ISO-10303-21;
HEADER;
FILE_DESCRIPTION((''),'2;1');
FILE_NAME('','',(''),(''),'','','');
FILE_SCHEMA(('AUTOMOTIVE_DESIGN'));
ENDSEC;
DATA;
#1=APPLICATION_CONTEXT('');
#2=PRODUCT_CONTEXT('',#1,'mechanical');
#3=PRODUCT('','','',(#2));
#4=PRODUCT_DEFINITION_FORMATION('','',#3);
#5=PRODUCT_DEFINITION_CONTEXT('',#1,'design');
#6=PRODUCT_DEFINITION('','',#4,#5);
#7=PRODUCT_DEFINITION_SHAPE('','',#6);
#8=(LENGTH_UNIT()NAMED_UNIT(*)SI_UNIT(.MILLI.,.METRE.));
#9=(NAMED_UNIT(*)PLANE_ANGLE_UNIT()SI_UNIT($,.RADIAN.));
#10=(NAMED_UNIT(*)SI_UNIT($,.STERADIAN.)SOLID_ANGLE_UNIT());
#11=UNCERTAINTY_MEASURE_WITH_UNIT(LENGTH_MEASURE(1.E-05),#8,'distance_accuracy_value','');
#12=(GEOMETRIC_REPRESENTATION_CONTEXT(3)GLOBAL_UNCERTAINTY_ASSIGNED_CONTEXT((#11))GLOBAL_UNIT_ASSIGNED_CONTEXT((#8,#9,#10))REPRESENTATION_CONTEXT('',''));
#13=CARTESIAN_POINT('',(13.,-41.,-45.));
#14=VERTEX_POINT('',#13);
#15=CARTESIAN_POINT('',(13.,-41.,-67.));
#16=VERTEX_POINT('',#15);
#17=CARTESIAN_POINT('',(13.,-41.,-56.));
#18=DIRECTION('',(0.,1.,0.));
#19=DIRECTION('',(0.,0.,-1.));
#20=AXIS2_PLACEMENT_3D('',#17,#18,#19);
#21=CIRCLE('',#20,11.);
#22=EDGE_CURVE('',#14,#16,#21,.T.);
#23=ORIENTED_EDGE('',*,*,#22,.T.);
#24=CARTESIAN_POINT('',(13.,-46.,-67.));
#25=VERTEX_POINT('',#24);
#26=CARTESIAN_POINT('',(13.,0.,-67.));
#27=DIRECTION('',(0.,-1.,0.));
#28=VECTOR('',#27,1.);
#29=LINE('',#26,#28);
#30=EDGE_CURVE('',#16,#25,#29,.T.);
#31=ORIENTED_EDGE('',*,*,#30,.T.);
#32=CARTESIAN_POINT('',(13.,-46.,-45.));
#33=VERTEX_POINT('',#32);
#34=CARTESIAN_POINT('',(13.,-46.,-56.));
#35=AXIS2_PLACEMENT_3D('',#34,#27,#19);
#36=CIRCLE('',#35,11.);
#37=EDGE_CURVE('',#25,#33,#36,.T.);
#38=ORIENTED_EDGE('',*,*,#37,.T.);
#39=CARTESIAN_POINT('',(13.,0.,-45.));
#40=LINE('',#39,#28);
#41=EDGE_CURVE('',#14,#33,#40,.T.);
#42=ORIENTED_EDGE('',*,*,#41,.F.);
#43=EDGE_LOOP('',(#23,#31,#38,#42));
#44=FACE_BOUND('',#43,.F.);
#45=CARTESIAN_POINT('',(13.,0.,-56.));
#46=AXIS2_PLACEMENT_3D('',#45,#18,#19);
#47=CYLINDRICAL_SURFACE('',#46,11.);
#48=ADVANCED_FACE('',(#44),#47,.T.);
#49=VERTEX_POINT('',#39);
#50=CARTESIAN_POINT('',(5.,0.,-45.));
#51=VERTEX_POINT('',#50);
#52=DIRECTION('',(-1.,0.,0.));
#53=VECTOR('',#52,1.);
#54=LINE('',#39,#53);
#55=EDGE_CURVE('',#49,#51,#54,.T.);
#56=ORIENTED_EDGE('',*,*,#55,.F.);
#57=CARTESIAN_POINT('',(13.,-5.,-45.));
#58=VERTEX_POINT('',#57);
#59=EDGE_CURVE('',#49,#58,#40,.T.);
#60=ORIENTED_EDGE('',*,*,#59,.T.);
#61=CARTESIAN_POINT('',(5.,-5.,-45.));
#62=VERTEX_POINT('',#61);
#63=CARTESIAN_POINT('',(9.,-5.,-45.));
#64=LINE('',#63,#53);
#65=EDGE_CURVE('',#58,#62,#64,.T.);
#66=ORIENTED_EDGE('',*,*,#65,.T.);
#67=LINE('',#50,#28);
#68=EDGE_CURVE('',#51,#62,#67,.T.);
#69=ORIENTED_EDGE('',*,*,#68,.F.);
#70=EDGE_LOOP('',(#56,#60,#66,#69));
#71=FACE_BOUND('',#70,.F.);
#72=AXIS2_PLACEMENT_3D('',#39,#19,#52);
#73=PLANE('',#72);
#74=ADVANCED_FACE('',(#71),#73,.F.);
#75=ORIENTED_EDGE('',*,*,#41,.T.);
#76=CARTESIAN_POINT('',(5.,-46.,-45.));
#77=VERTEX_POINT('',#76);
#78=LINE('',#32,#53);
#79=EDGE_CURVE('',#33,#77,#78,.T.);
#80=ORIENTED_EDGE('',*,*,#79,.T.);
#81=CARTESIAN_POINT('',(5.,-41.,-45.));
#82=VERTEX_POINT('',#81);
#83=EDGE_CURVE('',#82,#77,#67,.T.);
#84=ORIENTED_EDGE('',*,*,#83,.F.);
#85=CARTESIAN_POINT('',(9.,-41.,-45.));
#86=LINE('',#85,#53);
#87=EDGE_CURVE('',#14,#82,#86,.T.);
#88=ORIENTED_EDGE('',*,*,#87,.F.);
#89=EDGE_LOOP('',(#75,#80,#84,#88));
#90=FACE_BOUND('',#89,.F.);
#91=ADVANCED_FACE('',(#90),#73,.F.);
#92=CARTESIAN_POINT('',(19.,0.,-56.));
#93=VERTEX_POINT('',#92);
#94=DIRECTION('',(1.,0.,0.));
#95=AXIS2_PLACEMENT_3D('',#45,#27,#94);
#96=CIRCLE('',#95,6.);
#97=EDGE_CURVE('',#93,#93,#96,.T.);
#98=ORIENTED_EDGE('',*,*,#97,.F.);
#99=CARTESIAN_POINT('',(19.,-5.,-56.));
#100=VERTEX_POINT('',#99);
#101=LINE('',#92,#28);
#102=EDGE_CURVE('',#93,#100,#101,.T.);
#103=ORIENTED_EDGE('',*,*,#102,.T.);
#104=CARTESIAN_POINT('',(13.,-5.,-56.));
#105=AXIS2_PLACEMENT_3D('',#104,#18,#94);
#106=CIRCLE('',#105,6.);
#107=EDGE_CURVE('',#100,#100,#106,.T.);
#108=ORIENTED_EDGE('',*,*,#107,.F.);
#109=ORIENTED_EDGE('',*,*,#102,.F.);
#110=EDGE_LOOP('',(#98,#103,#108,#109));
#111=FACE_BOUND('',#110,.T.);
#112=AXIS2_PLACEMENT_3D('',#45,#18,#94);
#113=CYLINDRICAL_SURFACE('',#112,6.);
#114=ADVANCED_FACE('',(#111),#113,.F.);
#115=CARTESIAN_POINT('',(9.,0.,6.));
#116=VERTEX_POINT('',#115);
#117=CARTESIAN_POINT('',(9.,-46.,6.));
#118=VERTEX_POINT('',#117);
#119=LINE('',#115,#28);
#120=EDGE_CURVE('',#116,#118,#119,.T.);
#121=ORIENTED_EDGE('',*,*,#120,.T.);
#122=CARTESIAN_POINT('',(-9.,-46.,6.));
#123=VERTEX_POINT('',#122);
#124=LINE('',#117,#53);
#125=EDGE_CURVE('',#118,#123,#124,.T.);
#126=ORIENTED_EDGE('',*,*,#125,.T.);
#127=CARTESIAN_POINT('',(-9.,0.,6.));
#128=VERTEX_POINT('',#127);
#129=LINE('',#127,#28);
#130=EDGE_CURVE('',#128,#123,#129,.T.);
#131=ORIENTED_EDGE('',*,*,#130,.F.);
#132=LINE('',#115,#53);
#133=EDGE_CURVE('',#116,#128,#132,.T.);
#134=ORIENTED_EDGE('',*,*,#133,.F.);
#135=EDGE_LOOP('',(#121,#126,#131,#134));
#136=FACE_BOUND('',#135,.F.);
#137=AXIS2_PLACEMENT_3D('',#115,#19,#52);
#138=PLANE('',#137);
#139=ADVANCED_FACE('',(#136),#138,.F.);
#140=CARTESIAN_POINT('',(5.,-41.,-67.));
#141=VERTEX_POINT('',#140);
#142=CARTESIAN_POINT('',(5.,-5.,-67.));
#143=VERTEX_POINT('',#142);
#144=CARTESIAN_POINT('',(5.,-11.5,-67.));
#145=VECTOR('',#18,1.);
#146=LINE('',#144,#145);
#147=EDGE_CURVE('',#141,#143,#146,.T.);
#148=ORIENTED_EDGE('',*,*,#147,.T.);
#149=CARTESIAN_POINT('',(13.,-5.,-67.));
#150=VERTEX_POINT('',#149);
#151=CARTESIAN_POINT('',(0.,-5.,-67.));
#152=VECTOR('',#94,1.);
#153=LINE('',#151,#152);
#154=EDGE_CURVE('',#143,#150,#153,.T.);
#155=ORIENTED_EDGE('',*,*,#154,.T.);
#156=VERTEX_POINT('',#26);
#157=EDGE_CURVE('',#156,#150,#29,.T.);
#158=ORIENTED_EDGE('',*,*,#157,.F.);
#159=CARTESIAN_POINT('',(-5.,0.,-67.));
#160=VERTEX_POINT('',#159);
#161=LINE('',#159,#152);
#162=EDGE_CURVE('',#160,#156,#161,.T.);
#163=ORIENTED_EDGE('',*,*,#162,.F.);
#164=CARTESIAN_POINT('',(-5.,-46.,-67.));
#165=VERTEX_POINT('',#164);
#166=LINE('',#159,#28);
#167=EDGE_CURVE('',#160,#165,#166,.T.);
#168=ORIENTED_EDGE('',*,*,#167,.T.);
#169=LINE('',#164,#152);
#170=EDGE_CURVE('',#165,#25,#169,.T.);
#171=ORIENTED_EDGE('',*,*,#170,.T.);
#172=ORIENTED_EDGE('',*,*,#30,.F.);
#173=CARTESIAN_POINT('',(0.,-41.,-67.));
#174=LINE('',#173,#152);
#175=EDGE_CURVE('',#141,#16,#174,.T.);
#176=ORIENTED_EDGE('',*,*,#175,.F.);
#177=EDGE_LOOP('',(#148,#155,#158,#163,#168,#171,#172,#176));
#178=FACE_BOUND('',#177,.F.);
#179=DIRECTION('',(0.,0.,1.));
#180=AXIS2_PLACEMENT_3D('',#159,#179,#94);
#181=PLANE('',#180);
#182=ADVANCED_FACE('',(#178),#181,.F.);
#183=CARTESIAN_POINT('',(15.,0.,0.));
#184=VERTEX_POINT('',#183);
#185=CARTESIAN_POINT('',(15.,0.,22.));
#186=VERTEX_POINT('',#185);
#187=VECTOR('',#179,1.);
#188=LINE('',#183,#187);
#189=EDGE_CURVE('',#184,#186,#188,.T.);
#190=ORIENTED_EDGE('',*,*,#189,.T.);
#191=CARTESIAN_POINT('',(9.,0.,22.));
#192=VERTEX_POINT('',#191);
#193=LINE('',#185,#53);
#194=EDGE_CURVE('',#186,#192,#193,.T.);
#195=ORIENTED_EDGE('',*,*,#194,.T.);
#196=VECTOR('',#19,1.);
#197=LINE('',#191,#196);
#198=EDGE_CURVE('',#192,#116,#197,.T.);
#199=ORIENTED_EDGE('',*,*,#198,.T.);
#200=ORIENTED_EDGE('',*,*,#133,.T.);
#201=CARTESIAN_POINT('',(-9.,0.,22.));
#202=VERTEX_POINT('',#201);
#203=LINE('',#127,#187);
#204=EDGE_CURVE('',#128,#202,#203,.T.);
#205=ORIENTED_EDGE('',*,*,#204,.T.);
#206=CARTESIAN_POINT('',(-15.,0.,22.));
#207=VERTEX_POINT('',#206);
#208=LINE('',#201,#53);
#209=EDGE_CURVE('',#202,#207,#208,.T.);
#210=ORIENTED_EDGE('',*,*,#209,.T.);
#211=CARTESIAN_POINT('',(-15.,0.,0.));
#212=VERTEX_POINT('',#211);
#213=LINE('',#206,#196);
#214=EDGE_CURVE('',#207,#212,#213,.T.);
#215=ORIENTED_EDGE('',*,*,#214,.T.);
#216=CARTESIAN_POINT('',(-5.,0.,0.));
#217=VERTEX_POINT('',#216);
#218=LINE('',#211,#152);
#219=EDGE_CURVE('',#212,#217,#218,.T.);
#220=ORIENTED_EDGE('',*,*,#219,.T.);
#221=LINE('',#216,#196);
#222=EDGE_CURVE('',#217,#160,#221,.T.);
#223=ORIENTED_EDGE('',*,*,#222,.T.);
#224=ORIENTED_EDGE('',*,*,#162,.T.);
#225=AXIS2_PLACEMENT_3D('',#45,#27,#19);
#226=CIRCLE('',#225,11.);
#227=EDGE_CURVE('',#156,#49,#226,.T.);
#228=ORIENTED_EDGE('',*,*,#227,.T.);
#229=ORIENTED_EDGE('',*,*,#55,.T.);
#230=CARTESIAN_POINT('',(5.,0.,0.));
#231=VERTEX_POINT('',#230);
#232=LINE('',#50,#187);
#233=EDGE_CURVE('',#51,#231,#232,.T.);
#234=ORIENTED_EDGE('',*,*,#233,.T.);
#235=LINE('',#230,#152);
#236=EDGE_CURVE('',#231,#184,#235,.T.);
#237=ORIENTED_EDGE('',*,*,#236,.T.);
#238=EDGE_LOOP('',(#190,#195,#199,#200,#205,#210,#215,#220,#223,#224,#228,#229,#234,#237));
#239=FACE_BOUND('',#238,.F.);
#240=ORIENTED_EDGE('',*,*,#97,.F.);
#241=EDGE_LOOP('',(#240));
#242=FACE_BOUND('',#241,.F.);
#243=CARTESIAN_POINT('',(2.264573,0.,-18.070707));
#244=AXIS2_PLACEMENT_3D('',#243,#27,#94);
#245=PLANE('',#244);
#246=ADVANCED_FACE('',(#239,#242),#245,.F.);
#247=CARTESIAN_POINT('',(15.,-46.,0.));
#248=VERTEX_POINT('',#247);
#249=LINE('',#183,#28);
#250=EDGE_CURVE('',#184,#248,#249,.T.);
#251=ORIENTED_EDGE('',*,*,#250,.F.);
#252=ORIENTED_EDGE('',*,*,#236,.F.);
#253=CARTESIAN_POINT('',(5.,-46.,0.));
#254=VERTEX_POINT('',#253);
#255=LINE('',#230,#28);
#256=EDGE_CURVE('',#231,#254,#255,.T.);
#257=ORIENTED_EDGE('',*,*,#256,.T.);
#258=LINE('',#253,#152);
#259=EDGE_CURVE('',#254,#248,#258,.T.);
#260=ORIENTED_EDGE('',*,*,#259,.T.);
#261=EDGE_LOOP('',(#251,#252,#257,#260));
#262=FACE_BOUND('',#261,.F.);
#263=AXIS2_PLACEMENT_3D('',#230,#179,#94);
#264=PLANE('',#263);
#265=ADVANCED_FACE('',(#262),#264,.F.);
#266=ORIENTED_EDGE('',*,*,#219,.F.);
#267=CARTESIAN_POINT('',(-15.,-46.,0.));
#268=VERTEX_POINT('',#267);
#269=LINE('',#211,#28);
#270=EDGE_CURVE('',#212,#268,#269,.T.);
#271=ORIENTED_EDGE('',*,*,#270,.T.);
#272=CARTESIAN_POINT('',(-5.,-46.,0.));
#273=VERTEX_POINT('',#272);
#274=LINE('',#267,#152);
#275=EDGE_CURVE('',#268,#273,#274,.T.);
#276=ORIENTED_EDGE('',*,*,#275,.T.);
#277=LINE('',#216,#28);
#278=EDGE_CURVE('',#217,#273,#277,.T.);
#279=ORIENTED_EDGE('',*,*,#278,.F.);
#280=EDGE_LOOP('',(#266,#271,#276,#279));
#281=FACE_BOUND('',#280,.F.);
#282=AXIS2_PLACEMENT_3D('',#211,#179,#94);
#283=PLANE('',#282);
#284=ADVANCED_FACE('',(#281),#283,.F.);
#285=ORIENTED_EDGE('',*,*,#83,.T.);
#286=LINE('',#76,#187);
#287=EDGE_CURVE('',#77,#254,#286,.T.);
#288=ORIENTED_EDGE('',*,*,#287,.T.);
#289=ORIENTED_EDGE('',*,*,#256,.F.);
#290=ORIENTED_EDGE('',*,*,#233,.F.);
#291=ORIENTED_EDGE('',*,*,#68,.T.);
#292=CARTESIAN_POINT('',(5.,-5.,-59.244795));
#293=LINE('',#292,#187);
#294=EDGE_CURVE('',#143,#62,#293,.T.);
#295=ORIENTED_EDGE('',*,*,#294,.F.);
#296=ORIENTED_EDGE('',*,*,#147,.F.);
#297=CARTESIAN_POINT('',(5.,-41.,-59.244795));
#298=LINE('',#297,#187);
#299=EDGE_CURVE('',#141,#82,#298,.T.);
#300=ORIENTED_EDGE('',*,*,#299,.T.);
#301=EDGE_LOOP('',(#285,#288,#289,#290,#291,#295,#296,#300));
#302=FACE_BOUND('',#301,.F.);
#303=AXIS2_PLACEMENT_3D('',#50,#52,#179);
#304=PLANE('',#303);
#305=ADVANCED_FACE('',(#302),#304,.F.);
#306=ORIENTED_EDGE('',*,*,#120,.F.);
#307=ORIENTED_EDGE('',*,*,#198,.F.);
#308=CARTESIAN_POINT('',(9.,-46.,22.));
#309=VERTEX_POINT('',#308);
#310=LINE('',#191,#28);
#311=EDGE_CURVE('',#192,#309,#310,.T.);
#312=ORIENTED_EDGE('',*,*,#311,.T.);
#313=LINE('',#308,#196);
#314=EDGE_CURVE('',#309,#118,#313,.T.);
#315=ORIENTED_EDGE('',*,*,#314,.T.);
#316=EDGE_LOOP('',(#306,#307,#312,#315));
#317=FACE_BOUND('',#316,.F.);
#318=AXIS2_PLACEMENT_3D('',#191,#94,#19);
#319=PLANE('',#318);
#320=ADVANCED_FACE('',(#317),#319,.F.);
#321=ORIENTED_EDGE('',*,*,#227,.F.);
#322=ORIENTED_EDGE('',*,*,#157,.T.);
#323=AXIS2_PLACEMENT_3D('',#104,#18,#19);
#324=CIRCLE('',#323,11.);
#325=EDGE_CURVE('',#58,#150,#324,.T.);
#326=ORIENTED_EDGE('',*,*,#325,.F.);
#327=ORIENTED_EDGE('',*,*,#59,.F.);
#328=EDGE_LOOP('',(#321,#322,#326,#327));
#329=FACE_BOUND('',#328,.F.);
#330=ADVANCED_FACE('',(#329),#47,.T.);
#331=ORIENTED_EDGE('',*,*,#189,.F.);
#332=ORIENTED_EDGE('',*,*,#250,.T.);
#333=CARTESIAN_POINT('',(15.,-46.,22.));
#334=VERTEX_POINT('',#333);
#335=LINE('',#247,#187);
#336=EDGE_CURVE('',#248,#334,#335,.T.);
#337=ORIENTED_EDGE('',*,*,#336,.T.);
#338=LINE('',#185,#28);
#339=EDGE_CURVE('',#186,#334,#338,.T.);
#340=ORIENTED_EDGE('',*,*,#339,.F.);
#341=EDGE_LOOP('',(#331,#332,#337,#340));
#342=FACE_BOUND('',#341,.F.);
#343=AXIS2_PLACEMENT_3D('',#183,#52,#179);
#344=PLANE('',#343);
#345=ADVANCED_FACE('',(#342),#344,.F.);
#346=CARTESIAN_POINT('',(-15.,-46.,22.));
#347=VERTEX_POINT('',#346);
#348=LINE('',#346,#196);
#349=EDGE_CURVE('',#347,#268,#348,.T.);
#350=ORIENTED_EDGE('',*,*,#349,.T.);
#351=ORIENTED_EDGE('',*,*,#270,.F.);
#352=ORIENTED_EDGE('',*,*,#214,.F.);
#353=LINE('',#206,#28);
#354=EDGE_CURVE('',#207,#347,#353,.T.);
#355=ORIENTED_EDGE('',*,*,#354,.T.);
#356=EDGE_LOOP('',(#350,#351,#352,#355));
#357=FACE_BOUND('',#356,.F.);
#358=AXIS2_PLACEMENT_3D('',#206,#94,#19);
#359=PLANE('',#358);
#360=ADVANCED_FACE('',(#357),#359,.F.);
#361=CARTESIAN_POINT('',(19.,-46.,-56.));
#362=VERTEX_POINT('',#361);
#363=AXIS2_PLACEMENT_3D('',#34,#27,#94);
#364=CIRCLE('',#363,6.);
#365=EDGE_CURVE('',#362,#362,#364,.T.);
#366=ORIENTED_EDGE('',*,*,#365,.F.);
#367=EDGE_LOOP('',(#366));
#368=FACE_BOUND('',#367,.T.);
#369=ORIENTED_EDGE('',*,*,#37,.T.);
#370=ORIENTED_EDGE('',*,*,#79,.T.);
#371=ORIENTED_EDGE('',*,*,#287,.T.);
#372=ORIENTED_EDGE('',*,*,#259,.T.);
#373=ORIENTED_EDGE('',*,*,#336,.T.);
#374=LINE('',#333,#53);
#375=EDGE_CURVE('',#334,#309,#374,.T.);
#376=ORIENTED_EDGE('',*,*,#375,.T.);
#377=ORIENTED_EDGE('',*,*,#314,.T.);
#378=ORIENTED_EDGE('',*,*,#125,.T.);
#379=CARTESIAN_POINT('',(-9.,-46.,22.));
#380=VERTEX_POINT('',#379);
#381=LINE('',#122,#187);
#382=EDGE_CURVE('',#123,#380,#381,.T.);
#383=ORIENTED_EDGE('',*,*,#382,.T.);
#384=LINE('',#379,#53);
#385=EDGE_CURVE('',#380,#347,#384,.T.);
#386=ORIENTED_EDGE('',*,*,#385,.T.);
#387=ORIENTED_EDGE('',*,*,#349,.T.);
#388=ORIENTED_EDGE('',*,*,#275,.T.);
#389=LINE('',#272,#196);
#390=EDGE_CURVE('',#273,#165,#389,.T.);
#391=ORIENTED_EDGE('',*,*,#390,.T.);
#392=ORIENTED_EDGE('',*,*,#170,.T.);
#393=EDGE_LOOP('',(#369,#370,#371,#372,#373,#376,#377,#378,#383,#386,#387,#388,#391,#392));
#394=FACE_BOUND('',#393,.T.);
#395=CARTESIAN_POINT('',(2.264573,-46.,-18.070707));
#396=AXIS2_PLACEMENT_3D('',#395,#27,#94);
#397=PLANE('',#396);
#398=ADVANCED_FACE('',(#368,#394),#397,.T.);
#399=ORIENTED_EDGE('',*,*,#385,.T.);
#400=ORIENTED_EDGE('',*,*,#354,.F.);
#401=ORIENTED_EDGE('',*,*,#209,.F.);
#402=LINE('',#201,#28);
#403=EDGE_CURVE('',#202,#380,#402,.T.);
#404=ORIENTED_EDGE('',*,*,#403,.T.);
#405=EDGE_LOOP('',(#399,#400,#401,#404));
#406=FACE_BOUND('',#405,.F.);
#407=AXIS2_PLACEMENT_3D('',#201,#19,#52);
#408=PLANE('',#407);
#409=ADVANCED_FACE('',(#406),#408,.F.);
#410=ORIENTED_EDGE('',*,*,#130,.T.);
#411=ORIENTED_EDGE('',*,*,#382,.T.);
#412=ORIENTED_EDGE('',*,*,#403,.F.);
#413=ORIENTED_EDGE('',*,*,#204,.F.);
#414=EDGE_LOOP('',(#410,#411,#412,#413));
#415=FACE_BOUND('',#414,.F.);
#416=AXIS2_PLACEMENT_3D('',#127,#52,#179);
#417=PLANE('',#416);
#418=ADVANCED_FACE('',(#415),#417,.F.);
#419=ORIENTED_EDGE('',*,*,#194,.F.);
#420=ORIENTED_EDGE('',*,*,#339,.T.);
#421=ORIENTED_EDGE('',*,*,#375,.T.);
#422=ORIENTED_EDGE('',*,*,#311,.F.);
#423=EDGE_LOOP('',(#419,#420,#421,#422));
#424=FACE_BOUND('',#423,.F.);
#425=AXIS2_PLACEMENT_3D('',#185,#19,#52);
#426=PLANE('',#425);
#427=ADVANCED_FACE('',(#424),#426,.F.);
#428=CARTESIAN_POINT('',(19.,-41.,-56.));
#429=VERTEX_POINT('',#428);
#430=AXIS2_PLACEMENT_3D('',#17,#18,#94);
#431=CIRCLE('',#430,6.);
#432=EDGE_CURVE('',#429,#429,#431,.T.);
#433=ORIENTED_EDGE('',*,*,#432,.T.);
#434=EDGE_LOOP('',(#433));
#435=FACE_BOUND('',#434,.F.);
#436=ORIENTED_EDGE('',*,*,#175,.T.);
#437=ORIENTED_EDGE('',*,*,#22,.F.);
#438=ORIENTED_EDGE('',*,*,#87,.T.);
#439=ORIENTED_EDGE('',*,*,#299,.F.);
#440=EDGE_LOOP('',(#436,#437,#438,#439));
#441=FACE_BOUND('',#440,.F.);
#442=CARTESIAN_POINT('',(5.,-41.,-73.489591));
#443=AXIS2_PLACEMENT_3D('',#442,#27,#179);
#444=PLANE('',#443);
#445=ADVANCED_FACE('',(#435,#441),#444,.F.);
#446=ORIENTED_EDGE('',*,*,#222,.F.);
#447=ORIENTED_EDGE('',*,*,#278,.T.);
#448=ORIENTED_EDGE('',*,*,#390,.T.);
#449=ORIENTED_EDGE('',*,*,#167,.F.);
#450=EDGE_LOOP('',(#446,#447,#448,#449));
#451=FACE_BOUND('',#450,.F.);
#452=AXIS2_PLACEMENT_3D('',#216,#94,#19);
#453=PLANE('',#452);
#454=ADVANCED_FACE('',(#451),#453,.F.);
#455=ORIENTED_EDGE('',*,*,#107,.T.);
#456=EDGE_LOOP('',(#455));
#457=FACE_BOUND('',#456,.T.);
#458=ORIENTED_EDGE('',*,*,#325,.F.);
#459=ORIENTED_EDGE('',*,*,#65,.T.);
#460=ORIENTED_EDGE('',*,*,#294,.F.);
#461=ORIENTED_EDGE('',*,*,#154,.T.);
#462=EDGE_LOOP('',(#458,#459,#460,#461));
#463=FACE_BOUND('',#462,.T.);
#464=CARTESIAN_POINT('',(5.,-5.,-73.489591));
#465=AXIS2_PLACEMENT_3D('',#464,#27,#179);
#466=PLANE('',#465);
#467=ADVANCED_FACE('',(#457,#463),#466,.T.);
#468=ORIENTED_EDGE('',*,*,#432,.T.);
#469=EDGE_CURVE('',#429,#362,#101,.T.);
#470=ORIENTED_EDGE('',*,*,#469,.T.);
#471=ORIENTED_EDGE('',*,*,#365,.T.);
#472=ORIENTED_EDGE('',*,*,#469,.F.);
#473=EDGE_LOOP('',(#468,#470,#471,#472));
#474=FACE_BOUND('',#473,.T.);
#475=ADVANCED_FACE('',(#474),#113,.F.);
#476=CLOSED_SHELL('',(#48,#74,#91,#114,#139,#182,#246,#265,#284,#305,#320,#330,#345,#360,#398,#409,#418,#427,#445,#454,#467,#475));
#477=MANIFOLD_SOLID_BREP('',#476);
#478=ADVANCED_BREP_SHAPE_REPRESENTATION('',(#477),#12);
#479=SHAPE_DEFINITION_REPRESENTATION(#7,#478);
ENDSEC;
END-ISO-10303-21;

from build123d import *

# Parameters (mm, degrees)
F0_R     = 6
F1_DEPTH = 46
F2_W     = 36
F2_H     = 28.489591
F3_DEPTH = 25


with BuildPart() as f1:
    # F0 (on Front) → F1 (new body)
    with BuildSketch(Plane.XZ):
        with BuildLine():
            Line((5, -45), (5, 0))
            Line((5, 0), (15, 0))
            Line((15, 0), (15, 22))
            Line((15, 22), (9, 22))
            Line((9, 22), (9, 6))
            Line((9, 6), (0, 6))
            Line((0, 6), (-9, 6))
            Line((-9, 6), (-9, 22))
            Line((-9, 22), (-15, 22))
            Line((-15, 22), (-15, 0))
            Line((-15, 0), (-5, 0))
            Line((-5, 0), (-5, -67))
            Line((-5, -67), (5, -67))
            Line((5, -67), (13, -67))
            ThreePointArc((13, -67), (24, -56), (13, -45))
            Line((13, -45), (5, -45))
        make_face()
        with Locations((13, -56)):
            Circle(F0_R, mode=Mode.SUBTRACT)
    extrude(amount=F1_DEPTH)


with BuildPart() as f3:
    # F2 (on face) → F3 (new body)
    with BuildSketch(Plane.YZ.offset(5)):
        with Locations((-23, -59.244795)):
            Rectangle(F2_W, F2_H)
    extrude(amount=F3_DEPTH)


with BuildPart() as f1_1:
    add(f1.part)

    # F4: cut F3
    add(f3.part, mode=Mode.SUBTRACT)


solid = f1_1.part
